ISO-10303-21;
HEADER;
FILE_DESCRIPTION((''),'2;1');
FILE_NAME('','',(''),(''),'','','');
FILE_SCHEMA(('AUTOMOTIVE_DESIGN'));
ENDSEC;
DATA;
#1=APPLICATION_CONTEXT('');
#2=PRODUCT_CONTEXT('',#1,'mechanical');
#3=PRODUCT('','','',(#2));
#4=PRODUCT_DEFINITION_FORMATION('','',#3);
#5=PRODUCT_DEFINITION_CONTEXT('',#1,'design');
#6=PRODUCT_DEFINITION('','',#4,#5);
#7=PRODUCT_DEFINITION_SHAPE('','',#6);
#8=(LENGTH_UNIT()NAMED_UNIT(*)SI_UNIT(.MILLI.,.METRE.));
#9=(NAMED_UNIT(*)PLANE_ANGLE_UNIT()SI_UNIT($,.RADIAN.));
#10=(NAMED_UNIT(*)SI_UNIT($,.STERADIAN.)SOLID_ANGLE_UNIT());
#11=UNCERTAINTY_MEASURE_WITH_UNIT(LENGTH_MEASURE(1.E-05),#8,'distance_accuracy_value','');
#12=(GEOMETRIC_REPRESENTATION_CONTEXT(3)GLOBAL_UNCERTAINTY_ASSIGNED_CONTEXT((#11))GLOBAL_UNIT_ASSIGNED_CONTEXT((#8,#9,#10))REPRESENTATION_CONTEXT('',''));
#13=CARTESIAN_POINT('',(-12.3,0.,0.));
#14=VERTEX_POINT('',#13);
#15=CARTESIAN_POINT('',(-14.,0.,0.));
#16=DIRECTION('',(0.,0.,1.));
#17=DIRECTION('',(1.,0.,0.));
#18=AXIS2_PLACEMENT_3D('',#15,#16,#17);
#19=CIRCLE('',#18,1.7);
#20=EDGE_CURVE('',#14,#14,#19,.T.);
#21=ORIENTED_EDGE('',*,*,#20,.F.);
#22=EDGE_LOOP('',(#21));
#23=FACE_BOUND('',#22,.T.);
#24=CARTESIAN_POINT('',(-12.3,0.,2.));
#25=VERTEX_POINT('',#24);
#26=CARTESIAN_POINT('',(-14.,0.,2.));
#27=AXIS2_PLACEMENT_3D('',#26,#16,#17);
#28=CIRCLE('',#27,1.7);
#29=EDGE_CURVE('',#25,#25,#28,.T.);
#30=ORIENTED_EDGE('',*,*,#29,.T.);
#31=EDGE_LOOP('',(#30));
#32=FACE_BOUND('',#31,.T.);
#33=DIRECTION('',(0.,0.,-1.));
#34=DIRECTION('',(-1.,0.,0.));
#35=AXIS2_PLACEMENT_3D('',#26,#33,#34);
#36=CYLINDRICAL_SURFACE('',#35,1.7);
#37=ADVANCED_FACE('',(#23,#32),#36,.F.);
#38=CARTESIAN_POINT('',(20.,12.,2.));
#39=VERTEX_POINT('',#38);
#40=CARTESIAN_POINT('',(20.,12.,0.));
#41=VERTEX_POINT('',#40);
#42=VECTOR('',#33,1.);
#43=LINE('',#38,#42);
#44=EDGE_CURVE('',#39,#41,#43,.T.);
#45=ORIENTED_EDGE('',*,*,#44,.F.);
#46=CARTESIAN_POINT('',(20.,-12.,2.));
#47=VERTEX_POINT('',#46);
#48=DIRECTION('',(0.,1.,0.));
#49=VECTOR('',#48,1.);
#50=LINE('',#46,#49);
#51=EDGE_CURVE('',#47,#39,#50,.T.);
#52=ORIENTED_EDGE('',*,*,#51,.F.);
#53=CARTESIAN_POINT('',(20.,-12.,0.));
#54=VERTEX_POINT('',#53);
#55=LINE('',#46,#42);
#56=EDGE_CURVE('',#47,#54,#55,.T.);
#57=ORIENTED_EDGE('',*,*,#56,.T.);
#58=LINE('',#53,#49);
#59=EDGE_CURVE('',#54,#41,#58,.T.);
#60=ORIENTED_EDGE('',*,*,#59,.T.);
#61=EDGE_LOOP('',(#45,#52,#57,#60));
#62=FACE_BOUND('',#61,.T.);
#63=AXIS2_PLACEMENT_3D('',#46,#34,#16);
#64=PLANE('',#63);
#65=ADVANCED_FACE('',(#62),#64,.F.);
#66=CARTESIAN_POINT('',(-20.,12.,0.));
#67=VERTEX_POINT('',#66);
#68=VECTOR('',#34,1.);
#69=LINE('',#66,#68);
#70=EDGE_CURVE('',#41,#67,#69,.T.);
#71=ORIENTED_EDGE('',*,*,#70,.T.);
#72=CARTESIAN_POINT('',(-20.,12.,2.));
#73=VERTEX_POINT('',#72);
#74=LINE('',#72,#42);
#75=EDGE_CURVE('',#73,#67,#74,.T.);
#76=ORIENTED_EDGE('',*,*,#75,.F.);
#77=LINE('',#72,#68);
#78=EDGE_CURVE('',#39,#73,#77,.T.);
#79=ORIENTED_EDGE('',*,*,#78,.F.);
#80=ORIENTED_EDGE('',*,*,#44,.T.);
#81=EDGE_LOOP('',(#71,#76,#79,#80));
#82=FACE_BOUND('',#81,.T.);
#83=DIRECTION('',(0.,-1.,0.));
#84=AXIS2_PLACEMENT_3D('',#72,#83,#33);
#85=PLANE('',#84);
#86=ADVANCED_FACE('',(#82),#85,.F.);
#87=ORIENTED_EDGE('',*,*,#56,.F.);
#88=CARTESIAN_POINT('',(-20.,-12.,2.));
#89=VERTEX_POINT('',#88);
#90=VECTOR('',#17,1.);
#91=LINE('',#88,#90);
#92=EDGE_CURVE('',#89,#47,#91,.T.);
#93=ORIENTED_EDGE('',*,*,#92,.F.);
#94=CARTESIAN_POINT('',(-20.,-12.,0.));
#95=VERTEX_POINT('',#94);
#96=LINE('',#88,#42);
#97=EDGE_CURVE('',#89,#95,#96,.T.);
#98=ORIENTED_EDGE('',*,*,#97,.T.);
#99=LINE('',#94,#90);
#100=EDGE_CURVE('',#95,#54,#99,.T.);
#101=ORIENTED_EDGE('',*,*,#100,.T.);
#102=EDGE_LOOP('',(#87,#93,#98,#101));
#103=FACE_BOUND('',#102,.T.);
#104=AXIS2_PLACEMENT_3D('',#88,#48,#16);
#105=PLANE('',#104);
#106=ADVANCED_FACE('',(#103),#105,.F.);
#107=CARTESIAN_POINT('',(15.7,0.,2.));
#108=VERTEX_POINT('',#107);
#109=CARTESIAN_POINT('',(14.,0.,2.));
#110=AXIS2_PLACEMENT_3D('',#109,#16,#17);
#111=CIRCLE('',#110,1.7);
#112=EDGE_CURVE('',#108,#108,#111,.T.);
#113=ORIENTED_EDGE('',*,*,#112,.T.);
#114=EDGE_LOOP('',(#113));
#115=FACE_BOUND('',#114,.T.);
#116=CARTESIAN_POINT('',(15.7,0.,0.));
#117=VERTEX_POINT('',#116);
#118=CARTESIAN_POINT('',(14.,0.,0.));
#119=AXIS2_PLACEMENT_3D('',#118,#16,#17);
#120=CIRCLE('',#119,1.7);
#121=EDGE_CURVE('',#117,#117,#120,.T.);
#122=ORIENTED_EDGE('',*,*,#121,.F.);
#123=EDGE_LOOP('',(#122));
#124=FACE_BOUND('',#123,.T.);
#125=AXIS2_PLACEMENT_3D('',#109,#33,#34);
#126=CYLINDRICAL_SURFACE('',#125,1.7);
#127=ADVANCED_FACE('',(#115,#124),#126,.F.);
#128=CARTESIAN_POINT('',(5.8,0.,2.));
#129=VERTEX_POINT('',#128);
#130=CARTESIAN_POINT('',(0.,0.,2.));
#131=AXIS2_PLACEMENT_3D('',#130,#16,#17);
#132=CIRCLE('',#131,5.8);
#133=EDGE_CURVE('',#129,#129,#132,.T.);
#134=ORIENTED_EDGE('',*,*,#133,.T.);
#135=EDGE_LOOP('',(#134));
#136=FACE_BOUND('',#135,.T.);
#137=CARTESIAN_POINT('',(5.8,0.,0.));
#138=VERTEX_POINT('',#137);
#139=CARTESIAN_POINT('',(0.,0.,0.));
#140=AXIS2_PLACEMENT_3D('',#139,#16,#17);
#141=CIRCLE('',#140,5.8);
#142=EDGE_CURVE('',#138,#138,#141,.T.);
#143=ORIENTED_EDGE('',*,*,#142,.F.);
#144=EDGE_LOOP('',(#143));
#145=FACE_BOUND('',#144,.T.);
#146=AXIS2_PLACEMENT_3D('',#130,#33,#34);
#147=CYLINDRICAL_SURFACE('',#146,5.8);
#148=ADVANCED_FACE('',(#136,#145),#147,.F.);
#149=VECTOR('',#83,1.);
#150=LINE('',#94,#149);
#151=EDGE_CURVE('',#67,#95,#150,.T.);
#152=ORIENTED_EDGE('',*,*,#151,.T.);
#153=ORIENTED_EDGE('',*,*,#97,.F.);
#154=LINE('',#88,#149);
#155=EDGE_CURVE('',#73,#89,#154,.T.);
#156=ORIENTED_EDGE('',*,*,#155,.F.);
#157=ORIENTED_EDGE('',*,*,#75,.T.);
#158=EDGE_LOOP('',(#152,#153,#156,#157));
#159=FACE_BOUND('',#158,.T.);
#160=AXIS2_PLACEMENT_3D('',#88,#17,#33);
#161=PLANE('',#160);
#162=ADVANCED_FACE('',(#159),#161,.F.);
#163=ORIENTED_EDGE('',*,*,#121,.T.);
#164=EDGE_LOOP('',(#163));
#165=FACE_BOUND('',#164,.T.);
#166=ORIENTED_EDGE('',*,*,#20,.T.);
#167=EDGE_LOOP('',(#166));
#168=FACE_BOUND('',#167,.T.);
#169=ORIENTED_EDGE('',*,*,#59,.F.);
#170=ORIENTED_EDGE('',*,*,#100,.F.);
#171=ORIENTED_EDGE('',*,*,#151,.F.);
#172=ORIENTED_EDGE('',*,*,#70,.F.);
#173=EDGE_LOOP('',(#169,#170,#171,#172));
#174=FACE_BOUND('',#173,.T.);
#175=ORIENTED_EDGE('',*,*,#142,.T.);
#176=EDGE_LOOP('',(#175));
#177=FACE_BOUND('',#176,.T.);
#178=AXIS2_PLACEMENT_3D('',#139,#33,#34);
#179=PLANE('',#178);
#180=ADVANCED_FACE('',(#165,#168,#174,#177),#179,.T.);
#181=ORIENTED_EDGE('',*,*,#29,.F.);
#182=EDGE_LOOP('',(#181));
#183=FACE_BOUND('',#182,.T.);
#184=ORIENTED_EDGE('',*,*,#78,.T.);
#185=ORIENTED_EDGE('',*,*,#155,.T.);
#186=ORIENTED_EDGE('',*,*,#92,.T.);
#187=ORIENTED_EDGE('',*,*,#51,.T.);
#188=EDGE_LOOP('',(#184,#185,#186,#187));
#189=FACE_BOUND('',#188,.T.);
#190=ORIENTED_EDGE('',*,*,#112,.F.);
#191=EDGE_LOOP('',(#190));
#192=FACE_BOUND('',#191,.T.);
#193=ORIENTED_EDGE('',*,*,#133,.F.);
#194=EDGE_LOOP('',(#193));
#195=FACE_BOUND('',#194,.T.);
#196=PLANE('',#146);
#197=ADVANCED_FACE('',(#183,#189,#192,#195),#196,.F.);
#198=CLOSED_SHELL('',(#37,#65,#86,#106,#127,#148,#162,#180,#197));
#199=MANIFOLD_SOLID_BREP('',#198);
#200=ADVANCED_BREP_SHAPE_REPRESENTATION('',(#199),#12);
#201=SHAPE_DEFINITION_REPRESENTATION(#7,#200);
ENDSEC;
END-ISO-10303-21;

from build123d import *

# Parameters (mm, degrees)
SKETCH_1_W                     = 40
SKETCH_1_H                     = 24
SKETCH_1_R                     = 5.8
SKETCH_1_R_2                   = 1.7
BEARING_RETAINER_40X24X2_DEPTH = 2


with BuildPart() as part:
    # 草图1 → Bearing_retainer_40x24x2 (new body)
    with BuildSketch(Plane.XY):
        Rectangle(SKETCH_1_W, SKETCH_1_H)
        Circle(SKETCH_1_R, mode=Mode.SUBTRACT)
        with Locations((-14, 0)):
            Circle(SKETCH_1_R_2, mode=Mode.SUBTRACT)
        with Locations((14, 0)):
            Circle(SKETCH_1_R_2, mode=Mode.SUBTRACT)
    extrude(amount=BEARING_RETAINER_40X24X2_DEPTH)


solid = part.part
